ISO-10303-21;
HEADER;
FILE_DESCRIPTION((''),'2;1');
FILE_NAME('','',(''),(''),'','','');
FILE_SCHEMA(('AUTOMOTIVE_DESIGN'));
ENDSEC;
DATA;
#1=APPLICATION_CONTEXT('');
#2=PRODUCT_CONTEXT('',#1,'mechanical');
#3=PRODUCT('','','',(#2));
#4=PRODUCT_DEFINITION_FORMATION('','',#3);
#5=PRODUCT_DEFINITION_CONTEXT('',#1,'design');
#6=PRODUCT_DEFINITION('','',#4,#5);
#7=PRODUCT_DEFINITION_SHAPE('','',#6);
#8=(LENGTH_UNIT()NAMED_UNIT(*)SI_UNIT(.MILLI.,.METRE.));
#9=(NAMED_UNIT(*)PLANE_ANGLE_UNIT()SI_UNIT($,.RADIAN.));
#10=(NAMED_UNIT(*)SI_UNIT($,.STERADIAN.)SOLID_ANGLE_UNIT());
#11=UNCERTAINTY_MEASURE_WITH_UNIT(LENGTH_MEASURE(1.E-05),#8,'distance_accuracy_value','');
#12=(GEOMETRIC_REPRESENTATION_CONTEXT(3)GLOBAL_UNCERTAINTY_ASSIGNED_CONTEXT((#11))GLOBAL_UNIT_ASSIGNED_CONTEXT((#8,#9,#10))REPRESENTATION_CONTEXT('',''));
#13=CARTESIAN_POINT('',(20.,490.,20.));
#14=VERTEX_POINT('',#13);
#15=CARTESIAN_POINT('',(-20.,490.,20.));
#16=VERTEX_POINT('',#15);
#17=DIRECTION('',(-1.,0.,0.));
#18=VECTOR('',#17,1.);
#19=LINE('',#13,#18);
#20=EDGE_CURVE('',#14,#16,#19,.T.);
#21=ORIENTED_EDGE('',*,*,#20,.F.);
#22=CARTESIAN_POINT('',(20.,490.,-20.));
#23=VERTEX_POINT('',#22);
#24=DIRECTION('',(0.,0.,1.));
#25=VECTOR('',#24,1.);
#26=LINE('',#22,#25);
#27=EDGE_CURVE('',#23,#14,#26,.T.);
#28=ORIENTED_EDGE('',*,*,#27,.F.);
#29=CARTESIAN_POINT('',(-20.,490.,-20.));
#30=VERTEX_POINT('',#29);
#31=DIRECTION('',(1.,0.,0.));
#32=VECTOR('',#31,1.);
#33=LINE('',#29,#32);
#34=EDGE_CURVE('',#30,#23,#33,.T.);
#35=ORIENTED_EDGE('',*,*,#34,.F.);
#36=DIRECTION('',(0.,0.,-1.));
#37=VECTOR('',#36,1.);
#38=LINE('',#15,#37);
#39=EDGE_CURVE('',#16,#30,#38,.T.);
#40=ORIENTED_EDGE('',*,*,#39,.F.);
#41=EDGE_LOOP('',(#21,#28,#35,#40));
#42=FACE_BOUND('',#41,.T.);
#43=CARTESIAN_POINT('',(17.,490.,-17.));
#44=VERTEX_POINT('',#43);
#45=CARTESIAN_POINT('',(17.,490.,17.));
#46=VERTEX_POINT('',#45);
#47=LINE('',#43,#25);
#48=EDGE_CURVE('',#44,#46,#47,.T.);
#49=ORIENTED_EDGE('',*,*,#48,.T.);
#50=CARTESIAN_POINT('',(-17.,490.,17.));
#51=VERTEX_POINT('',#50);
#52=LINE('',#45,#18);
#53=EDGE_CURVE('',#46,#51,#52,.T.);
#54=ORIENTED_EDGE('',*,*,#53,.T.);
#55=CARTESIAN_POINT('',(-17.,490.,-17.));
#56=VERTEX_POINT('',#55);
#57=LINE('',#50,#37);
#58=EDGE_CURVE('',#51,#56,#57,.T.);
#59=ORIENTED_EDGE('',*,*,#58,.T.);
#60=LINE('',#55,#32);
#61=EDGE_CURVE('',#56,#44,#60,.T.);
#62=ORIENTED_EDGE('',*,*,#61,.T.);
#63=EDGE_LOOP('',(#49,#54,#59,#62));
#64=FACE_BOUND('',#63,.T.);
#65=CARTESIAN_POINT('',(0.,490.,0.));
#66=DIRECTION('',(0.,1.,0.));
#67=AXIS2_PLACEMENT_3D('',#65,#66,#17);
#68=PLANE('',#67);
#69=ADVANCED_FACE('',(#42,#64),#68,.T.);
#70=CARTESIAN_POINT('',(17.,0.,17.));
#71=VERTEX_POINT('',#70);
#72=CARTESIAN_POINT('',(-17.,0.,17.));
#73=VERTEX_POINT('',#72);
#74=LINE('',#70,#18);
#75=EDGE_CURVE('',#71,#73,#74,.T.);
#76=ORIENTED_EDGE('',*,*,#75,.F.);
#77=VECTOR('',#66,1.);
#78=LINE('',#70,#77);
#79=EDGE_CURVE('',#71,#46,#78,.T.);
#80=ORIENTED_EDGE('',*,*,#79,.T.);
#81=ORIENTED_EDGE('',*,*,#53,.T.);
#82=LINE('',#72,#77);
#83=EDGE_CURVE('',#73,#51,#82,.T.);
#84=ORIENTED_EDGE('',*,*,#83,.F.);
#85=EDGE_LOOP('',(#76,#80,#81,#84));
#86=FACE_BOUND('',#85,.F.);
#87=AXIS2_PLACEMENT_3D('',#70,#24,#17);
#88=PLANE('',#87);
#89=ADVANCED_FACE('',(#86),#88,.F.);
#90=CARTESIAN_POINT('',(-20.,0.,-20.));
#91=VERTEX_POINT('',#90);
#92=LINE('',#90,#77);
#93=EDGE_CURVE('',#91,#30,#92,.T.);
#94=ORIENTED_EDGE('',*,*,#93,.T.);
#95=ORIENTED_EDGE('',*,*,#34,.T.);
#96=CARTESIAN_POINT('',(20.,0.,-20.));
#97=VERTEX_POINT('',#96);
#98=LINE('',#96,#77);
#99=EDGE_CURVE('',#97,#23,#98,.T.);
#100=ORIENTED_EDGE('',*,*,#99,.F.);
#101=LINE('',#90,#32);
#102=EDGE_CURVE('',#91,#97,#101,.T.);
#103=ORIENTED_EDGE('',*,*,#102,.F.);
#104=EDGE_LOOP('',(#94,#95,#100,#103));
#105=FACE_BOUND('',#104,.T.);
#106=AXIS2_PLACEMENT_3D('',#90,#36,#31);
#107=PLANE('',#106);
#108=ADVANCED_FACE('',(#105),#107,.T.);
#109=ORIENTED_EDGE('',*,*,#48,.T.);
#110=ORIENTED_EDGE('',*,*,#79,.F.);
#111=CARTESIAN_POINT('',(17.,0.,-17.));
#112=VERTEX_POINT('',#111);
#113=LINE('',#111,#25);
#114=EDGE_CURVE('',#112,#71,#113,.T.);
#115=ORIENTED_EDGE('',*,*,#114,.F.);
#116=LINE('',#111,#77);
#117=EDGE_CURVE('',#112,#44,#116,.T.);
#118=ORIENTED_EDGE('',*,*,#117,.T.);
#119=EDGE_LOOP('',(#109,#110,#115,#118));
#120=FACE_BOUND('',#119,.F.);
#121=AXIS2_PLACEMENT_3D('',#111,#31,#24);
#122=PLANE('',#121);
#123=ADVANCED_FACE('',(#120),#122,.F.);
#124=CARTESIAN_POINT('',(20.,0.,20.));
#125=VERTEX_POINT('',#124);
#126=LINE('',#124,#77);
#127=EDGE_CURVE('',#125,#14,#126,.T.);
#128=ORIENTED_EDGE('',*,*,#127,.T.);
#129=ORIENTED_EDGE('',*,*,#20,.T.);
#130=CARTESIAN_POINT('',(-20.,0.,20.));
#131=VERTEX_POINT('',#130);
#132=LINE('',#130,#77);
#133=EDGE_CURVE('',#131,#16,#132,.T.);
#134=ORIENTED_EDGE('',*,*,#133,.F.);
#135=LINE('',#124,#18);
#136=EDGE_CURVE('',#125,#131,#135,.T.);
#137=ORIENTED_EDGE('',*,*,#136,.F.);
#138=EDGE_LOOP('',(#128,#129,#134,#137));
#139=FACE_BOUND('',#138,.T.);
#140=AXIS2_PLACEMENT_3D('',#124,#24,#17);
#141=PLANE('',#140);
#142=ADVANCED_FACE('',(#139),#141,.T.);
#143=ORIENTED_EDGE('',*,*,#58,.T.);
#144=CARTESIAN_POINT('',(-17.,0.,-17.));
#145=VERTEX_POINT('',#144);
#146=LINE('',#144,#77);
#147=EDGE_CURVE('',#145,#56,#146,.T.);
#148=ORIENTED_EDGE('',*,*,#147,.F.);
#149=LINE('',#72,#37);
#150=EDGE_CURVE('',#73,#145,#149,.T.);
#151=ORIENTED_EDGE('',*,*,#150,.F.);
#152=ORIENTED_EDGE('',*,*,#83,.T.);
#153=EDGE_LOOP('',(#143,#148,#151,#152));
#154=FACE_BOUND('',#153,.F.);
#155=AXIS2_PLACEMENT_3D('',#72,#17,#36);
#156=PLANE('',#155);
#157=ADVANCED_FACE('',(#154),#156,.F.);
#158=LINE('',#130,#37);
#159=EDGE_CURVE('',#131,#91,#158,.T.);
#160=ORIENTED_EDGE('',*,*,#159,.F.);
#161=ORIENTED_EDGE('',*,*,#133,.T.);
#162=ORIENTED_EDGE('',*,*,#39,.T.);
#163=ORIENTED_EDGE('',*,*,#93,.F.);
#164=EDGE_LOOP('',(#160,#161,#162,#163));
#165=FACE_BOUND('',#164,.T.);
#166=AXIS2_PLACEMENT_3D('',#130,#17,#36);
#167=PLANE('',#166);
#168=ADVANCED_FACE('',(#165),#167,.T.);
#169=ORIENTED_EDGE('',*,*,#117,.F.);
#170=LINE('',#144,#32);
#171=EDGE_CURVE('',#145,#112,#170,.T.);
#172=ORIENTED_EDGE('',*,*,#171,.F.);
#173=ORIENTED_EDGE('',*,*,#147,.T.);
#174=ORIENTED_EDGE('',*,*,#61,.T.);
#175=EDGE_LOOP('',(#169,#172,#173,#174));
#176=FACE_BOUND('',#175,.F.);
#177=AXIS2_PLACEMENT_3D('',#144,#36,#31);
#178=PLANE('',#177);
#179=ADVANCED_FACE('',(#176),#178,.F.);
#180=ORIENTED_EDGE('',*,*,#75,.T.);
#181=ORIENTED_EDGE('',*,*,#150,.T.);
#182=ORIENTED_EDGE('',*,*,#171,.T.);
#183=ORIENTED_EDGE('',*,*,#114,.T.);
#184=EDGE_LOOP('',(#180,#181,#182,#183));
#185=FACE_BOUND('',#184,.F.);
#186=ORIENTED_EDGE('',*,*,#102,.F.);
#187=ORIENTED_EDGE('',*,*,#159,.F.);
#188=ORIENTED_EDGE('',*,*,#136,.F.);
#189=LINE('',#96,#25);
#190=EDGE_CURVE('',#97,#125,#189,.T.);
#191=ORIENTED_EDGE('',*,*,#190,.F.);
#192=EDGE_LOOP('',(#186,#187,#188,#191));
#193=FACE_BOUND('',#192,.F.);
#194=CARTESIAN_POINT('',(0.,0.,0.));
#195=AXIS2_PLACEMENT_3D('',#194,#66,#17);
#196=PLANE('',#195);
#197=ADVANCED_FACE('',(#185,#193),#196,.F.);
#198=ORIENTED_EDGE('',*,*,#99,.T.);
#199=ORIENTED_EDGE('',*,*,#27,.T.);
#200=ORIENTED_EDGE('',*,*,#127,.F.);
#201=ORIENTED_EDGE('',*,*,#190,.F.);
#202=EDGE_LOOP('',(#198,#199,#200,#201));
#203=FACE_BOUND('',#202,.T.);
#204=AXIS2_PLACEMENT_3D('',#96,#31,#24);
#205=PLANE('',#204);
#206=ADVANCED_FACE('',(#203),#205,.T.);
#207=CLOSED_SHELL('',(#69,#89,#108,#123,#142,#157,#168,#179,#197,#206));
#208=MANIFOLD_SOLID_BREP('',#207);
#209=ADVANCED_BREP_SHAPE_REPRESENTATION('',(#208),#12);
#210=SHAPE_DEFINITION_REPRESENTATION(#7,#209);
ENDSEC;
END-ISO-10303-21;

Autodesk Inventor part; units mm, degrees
ref_plane "YZ Plane" through (0, 0, 0) normal (1, 0, 0) x (0, 1, 0)
ref_plane "XZ Plane" through (0, 0, 0) normal (0, 1, 0) x (-1, 0, 0)
ref_plane "XY Plane" through (0, 0, 0) normal (0, 0, 1) x (1, 0, 0)
sketch "Sketch1" plane through (0, 0, 0) normal (0, 1, 0) x (-1, 0, 0)
  line L0 (-20, 20) -> (20, 20)
  line L1 (20, 20) -> (20, -20)
  line L2 (20, -20) -> (-20, -20)
  line L3 (-20, -20) -> (-20, 20)
  line L4 (-20, 20) -> (20, -20) construction
  line L5 (20, 20) -> (-20, -20) construction
  line L6 (-17, 17) -> (17, 17)
  line L7 (17, 17) -> (17, -17)
  line L8 (17, -17) -> (-17, -17)
  line L9 (-17, -17) -> (-17, 17)
  line L10 (-17, 17) -> (17, -17) construction
  line L11 (17, 17) -> (-17, -17) construction
  point P0 (0, 0)
  dimension "d0" = 40
  dimension "d1" = 40
  dimension "d2" = 34
  dimension "d3" = 34
  dimension "d4" = 3
extrude "Extrusion1" add sketch "Sketch1" along normal blind 490
properties part number "Tube 49 cm"
